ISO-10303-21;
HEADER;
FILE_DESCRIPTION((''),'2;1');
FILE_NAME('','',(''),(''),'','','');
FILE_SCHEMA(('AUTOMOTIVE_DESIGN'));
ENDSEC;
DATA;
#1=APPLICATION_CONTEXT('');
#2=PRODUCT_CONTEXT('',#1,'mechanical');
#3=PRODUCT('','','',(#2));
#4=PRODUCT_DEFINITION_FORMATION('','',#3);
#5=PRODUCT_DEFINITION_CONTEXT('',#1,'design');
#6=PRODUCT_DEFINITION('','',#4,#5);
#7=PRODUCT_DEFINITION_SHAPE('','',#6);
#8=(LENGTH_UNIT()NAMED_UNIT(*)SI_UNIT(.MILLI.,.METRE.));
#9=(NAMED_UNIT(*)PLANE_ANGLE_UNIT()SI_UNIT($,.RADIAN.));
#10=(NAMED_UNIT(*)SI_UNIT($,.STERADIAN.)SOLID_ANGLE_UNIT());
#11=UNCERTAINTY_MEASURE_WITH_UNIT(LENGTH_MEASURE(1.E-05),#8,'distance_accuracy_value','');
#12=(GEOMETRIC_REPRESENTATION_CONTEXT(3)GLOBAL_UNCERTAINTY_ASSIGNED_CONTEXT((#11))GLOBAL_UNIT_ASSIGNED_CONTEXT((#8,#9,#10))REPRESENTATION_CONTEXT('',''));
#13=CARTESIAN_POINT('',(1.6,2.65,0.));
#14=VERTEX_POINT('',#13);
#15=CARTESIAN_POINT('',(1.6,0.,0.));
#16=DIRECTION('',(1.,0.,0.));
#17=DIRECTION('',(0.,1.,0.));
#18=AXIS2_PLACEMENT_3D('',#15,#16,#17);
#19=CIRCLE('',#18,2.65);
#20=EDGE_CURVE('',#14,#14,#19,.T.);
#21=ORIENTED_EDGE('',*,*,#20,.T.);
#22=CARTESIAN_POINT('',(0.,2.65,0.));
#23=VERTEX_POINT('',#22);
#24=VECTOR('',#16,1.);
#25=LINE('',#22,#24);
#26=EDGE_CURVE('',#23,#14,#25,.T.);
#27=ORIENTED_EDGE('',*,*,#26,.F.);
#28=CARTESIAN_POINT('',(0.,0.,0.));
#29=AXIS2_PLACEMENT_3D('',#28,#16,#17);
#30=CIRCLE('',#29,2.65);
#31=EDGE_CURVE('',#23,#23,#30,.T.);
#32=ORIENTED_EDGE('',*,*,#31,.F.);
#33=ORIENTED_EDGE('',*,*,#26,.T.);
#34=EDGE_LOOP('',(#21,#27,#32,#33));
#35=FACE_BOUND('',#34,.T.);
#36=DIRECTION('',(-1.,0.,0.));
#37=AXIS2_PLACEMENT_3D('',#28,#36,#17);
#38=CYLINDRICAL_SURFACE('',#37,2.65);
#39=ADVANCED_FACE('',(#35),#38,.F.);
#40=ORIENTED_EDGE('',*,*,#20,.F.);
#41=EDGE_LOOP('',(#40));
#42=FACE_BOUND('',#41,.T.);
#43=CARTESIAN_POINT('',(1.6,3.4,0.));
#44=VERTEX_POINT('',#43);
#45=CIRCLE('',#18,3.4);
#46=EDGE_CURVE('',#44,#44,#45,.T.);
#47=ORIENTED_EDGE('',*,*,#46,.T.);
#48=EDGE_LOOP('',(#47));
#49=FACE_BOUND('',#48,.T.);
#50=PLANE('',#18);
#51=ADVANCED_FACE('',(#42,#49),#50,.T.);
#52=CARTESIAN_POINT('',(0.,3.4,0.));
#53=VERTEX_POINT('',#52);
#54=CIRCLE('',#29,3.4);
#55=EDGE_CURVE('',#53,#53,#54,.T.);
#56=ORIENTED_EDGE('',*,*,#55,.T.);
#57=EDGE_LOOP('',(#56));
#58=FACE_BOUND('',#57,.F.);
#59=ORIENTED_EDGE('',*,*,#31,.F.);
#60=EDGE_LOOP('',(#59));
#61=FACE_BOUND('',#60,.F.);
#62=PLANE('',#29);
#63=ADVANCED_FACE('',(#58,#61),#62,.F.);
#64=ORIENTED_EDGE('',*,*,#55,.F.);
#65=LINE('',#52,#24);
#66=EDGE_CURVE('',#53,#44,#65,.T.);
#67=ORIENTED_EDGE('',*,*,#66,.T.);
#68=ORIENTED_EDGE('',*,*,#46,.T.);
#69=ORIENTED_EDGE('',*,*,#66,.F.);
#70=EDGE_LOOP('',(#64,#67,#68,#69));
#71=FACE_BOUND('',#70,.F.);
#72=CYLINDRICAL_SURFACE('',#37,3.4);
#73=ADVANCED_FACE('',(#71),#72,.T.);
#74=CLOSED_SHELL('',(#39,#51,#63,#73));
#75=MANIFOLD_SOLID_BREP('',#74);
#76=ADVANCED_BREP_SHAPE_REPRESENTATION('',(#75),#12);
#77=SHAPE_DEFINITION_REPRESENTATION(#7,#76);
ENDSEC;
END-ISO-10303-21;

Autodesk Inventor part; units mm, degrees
ref_plane "YZ Plane" through (0, 0, 0) normal (1, 0, 0) x (0, 1, 0)
ref_plane "XZ Plane" through (0, 0, 0) normal (0, 1, 0) x (-1, 0, 0)
ref_plane "XY Plane" through (0, 0, 0) normal (0, 0, 1) x (1, 0, 0)
sketch "Sketch1" plane through (0, 0, 0) normal (1, 0, 0) x (0, 1, 0)
  circle A0 centre (0, 0) radius 2.65
  circle A1 centre (0, 0) radius 3.4
  dimension "d0" = 5.3
  dimension "d1" = 6.8
extrude "Extrusion1" add sketch "Sketch1" along normal blind 1.6
properties part number "Idler Pully Spacer"
